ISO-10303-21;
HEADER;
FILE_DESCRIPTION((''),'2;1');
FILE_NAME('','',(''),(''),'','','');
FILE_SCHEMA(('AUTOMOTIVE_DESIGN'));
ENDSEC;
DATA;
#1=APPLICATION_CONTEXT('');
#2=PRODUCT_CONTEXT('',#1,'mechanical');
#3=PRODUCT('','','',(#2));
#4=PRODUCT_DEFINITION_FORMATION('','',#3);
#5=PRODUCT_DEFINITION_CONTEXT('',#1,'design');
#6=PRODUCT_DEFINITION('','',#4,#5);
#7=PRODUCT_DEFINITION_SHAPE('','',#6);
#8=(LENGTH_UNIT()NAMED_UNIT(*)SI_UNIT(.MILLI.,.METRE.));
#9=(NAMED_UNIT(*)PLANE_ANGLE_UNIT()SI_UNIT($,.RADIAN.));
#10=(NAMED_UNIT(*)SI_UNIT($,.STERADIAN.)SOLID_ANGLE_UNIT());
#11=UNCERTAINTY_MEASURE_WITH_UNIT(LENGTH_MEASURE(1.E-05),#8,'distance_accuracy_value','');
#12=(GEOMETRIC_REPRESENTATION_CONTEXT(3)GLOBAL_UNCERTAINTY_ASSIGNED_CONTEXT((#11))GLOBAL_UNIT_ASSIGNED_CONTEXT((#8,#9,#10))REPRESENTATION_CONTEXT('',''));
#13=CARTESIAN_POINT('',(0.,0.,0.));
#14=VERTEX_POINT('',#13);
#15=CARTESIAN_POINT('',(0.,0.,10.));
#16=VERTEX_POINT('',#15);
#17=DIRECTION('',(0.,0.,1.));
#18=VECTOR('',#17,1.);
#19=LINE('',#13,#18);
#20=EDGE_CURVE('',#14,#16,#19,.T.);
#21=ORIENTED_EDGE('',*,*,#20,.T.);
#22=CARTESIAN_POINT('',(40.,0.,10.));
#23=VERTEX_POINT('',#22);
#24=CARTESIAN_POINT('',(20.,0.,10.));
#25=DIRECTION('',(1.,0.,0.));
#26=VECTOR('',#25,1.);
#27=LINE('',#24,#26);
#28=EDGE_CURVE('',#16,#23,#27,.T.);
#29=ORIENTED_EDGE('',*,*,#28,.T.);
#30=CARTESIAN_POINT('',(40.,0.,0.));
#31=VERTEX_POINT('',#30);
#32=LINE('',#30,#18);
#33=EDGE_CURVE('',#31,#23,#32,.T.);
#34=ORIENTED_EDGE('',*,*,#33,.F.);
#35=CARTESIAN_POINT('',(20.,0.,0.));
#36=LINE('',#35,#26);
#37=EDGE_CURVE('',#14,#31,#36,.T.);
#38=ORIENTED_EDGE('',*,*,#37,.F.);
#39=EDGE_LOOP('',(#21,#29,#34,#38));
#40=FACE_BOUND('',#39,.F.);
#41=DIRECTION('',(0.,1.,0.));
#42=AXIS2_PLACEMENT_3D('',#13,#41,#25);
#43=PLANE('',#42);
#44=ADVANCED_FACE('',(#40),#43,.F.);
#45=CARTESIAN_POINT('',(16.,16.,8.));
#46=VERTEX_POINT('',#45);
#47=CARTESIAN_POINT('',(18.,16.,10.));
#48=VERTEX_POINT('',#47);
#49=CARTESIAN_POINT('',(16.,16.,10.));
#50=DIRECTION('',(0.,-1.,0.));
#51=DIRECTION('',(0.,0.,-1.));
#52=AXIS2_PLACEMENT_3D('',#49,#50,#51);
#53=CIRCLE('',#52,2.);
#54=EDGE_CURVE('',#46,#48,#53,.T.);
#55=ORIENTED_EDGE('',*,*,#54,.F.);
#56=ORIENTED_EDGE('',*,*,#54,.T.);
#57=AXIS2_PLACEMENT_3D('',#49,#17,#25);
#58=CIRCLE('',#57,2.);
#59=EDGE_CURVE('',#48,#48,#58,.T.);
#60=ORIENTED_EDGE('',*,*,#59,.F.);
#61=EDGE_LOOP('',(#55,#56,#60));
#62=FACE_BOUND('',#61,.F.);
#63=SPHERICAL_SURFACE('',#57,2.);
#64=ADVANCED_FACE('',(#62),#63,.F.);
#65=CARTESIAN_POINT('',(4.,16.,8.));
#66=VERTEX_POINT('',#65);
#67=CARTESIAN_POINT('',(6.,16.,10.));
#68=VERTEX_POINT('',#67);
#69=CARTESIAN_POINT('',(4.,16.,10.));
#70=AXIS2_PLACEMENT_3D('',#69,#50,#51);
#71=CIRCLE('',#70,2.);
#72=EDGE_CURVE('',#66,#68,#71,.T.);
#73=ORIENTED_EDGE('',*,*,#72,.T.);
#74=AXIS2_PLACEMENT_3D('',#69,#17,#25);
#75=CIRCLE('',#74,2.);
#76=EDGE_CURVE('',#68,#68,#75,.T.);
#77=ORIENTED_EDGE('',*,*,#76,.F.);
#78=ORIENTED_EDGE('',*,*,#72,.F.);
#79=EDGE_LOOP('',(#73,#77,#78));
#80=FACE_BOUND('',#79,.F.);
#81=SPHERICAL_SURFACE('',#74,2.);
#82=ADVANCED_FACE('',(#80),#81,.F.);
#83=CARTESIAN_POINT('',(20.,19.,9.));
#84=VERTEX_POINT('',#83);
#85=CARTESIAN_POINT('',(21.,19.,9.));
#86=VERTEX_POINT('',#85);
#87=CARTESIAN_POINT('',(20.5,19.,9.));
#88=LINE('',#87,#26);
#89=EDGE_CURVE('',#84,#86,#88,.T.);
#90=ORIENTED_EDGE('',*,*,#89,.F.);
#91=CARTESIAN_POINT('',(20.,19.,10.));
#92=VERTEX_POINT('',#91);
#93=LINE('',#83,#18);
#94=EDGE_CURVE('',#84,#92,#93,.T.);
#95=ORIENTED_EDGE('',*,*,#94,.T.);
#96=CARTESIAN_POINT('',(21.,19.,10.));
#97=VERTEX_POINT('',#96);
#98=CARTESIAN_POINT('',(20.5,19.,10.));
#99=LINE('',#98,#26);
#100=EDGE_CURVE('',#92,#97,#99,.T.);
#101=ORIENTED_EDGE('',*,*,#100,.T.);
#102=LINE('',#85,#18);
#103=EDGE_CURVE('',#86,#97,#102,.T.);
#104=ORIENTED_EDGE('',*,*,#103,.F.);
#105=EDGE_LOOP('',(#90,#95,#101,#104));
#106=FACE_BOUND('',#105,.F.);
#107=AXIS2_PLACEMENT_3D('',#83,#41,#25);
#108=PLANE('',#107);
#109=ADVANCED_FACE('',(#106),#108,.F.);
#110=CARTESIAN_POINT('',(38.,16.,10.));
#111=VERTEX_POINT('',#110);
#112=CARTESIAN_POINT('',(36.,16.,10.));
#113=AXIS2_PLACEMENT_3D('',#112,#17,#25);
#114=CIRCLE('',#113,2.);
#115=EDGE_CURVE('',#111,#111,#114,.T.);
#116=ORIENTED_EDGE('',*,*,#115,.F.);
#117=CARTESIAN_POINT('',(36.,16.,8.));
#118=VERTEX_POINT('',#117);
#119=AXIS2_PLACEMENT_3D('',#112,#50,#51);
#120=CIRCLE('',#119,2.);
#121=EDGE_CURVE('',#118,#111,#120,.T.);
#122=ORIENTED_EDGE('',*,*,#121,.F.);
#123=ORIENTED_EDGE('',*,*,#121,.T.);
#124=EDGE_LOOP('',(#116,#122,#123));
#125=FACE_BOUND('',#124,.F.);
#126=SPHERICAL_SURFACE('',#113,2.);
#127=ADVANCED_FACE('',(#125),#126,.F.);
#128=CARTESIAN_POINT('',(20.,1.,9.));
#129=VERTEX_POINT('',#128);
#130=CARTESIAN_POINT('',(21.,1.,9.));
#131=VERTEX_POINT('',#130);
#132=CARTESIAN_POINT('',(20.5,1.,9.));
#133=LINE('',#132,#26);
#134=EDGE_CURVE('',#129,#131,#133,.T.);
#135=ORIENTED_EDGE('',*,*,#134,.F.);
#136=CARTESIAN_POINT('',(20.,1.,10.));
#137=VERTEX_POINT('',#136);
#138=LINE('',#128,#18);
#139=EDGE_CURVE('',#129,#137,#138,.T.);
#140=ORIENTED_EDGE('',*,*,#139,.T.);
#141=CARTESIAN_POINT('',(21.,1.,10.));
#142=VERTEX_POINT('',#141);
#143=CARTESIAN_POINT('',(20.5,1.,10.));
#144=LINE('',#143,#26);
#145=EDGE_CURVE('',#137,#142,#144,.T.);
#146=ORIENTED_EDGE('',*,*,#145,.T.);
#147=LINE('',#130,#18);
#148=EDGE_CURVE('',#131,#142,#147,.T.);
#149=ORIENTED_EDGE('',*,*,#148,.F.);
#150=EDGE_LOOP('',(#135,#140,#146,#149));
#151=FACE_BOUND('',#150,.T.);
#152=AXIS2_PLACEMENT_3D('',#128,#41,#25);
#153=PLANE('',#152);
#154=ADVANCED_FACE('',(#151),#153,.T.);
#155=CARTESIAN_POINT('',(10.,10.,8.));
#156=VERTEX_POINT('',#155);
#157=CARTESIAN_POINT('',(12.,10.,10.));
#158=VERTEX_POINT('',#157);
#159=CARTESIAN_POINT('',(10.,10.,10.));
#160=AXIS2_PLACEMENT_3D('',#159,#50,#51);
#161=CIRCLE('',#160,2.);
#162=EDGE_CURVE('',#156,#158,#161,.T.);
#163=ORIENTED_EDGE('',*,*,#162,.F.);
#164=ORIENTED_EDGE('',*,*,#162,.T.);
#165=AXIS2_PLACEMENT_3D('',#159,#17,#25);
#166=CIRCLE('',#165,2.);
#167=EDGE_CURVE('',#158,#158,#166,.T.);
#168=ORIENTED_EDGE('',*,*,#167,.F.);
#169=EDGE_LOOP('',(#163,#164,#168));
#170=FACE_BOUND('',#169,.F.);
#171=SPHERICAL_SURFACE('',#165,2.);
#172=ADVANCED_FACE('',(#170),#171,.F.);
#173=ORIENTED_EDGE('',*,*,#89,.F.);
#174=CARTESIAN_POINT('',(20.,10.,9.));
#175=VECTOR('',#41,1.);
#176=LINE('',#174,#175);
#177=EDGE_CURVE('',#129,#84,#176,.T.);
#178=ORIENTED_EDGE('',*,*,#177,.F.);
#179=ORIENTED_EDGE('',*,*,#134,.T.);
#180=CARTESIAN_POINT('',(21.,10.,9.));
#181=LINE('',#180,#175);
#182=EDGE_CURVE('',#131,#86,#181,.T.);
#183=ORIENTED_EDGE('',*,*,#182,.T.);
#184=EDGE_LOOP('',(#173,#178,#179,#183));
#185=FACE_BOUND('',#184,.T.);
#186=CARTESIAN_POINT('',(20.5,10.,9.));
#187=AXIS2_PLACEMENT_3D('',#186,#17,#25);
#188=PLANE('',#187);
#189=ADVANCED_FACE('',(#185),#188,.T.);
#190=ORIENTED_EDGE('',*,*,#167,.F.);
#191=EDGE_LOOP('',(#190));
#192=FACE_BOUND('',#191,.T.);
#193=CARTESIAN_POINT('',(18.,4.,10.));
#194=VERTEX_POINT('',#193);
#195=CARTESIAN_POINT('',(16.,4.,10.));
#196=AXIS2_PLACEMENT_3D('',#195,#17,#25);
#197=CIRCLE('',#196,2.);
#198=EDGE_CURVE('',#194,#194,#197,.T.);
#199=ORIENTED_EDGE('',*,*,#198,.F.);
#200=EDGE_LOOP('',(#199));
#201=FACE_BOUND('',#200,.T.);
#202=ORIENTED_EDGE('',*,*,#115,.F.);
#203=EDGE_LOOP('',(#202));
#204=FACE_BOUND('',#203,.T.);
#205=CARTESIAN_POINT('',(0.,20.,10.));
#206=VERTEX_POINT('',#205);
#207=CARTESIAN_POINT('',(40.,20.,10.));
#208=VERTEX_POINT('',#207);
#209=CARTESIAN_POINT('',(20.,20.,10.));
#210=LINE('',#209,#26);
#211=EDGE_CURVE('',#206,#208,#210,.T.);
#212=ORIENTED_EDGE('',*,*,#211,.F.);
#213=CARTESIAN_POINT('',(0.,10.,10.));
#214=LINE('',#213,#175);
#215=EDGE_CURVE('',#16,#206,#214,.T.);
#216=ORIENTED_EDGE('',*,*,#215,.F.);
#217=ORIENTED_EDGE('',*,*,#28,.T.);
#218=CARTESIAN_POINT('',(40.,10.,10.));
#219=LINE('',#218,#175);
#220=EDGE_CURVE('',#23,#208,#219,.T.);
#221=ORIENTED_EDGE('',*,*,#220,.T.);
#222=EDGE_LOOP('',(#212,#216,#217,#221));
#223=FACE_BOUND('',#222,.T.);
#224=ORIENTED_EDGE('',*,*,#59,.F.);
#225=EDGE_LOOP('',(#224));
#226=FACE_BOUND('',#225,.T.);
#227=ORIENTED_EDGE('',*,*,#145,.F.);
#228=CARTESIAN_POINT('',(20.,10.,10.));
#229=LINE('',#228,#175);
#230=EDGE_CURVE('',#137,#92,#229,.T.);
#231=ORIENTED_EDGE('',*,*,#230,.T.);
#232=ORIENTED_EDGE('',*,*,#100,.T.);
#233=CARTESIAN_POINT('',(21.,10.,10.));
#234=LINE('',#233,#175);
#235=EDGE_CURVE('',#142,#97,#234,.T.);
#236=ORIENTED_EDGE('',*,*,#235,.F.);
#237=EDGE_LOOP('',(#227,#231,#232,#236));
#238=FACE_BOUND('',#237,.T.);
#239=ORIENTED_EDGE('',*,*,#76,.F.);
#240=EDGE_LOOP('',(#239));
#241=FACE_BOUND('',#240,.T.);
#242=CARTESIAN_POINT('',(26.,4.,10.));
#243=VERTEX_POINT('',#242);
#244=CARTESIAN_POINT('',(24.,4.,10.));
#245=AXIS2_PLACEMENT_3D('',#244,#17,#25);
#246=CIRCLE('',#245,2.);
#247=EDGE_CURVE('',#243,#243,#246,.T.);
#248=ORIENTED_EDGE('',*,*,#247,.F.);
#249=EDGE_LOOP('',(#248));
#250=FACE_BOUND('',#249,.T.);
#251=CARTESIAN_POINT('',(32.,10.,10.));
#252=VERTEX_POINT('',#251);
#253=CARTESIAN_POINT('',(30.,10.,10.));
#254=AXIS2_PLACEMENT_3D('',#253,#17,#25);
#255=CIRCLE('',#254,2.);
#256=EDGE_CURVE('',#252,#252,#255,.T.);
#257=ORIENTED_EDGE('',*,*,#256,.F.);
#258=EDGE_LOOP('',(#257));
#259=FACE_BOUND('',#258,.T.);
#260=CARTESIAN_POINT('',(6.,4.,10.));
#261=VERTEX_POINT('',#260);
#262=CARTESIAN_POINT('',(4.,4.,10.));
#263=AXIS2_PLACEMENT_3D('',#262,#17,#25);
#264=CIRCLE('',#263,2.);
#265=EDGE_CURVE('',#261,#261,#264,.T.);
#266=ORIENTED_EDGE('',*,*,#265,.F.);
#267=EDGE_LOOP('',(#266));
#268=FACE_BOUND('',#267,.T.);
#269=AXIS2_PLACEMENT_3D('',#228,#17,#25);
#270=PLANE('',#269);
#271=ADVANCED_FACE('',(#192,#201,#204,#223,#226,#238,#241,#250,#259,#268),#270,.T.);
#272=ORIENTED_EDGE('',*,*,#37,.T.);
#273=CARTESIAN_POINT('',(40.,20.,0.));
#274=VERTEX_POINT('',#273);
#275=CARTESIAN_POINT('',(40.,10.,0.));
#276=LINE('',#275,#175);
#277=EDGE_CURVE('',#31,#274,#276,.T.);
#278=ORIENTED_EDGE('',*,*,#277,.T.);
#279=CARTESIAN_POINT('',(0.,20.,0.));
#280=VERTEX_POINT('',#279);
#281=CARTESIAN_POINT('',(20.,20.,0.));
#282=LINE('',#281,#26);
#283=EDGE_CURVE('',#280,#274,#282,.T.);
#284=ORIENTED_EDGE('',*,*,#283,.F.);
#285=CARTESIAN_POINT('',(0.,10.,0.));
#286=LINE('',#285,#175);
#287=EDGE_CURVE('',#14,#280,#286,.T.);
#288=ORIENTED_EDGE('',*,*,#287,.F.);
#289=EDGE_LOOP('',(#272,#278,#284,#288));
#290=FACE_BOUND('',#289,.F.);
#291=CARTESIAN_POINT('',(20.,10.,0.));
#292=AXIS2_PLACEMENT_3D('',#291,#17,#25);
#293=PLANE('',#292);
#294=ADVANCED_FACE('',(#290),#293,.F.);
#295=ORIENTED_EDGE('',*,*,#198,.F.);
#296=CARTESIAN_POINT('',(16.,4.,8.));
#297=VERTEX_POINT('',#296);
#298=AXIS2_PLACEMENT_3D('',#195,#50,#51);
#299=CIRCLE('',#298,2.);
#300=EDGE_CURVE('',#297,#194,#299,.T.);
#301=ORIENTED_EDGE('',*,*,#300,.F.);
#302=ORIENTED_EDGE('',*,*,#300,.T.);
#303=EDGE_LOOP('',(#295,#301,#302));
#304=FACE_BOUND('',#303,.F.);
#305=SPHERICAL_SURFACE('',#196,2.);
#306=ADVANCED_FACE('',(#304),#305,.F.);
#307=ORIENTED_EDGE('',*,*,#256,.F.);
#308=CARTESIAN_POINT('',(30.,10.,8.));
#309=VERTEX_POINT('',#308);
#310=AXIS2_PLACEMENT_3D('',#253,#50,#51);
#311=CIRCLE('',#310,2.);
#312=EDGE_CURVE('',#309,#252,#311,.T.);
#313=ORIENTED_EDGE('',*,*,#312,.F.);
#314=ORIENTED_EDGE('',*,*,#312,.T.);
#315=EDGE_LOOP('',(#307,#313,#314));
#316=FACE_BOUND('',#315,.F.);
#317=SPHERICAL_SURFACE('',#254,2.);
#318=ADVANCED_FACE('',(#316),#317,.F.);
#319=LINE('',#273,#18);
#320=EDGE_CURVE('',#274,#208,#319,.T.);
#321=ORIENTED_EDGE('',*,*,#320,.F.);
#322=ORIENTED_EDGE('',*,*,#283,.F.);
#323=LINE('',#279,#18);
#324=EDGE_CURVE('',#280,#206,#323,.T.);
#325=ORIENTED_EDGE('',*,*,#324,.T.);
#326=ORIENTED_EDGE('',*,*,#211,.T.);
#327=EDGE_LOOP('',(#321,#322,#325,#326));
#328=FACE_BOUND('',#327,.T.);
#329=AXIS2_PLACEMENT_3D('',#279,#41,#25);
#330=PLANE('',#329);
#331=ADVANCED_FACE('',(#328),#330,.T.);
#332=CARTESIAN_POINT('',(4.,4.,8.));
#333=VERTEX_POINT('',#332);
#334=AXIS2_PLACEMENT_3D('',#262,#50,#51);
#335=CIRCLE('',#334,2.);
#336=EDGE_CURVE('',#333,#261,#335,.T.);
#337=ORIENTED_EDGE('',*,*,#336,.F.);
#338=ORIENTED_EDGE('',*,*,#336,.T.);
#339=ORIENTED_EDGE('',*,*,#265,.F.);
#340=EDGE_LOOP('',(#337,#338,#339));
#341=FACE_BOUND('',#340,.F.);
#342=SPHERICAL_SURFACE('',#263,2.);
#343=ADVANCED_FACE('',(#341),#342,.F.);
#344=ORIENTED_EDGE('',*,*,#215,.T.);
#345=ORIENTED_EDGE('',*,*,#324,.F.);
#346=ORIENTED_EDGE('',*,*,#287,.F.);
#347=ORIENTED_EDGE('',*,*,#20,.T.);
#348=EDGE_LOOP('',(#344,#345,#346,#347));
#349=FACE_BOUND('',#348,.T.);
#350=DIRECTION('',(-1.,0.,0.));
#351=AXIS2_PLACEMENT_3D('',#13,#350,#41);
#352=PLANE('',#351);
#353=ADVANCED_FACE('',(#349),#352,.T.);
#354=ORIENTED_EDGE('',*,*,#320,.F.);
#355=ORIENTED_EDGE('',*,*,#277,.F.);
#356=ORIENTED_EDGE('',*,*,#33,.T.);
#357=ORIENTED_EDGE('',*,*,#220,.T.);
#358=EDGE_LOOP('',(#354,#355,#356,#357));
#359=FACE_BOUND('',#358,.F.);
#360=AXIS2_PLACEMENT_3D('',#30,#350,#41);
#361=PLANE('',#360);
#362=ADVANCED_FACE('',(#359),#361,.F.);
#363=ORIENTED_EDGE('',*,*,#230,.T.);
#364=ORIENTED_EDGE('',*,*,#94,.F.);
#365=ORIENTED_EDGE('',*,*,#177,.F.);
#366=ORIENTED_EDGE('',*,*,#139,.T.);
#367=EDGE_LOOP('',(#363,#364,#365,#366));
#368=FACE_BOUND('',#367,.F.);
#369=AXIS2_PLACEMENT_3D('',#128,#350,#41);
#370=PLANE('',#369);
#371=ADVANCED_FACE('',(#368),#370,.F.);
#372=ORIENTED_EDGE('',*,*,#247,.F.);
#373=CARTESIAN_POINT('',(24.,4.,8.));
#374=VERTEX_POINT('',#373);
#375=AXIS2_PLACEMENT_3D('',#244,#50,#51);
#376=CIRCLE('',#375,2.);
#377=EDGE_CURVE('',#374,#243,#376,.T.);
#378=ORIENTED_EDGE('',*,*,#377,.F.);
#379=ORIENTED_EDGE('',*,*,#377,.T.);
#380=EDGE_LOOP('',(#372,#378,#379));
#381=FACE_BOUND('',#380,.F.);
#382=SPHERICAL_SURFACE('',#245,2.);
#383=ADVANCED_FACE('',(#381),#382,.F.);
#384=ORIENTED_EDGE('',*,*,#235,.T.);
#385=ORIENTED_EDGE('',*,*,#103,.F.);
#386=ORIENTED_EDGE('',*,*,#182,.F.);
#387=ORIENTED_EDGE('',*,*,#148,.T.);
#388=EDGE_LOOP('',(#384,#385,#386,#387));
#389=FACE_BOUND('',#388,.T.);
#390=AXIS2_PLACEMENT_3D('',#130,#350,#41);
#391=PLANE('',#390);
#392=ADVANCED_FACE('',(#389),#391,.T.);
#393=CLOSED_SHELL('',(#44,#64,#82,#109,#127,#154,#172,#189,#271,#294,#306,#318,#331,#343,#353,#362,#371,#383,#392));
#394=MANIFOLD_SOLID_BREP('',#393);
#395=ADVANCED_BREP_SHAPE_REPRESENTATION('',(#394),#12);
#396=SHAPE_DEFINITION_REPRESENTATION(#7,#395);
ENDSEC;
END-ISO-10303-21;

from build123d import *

# Parameters (mm, degrees)
BOX001_W     = 1
BOX001_H     = 18
BOX001_DEPTH = 1
BOX_W        = 40
BOX_H        = 20
BOX_DEPTH    = 10


with BuildPart() as sphere002:
    # Sphere002 → Sphere002 (revolve)
    with BuildSketch(Plane(origin=(4, 4, 10), x_dir=(1, 0, 0), z_dir=(0, -1, 0))):
        with BuildLine():
            ThreePointArc((0, -2), (2, 0), (0, 2))
            Line((0, 2), (0, -2))
        make_face()
    revolve(axis=Axis((4, 4, 10), (0, 0, 1)))


with BuildPart() as fusion001:
    # Sphere003 → Sphere003 (revolve)
    with BuildSketch(Plane(origin=(4, 16, 10), x_dir=(1, 0, 0), z_dir=(0, -1, 0))):
        with BuildLine():
            ThreePointArc((0, -2), (2, 0), (0, 2))
            Line((0, 2), (0, -2))
        make_face()
    revolve(axis=Axis((4, 16, 10), (0, 0, 1)))

    # Fusion001: union Sphere002
    add(sphere002.part)


with BuildPart() as fusion001_1:
    # Fusion001 placement: moved
    add(fusion001.part.moved(Location((12, 0, 0))))


with BuildPart() as sphere004:
    # Sphere004 → Sphere004 (revolve)
    with BuildSketch(Plane(origin=(10, 10, 10), x_dir=(1, 0, 0), z_dir=(0, -1, 0))):
        with BuildLine():
            ThreePointArc((0, -2), (2, 0), (0, 2))
            Line((0, 2), (0, -2))
        make_face()
    revolve(axis=Axis((10, 10, 10), (0, 0, 1)))


with BuildPart() as sphere005:
    # Sphere005 → Sphere005 (revolve)
    with BuildSketch(Plane(origin=(24, 4, 10), x_dir=(1, 0, 0), z_dir=(0, -1, 0))):
        with BuildLine():
            ThreePointArc((0, -2), (2, 0), (0, 2))
            Line((0, 2), (0, -2))
        make_face()
    revolve(axis=Axis((24, 4, 10), (0, 0, 1)))


with BuildPart() as sphere007:
    # Sphere007 → Sphere007 (revolve)
    with BuildSketch(Plane(origin=(4, 16, 10), x_dir=(1, 0, 0), z_dir=(0, -1, 0))):
        with BuildLine():
            ThreePointArc((0, -2), (2, 0), (0, 2))
            Line((0, 2), (0, -2))
        make_face()
    revolve(axis=Axis((4, 16, 10), (0, 0, 1)))


with BuildPart() as sphere008:
    # Sphere008 → Sphere008 (revolve)
    with BuildSketch(Plane(origin=(36, 16, 10), x_dir=(1, 0, 0), z_dir=(0, -1, 0))):
        with BuildLine():
            ThreePointArc((0, -2), (2, 0), (0, 2))
            Line((0, 2), (0, -2))
        make_face()
    revolve(axis=Axis((36, 16, 10), (0, 0, 1)))


with BuildPart() as sphere009:
    # Sphere009 → Sphere009 (revolve)
    with BuildSketch(Plane(origin=(30, 10, 10), x_dir=(1, 0, 0), z_dir=(0, -1, 0))):
        with BuildLine():
            ThreePointArc((0, -2), (2, 0), (0, 2))
            Line((0, 2), (0, -2))
        make_face()
    revolve(axis=Axis((30, 10, 10), (0, 0, 1)))


with BuildPart() as sphere:
    # Sphere → Sphere (revolve)
    with BuildSketch(Plane(origin=(4, 4, 10), x_dir=(1, 0, 0), z_dir=(0, -1, 0))):
        with BuildLine():
            ThreePointArc((0, -2), (2, 0), (0, 2))
            Line((0, 2), (0, -2))
        make_face()
    revolve(axis=Axis((4, 4, 10), (0, 0, 1)))


with BuildPart() as fusion002:
    # Sphere001 → Sphere001 (revolve)
    with BuildSketch(Plane(origin=(4, 16, 10), x_dir=(1, 0, 0), z_dir=(0, -1, 0))):
        with BuildLine():
            ThreePointArc((0, -2), (2, 0), (0, 2))
            Line((0, 2), (0, -2))
        make_face()
    revolve(axis=Axis((4, 16, 10), (0, 0, 1)))

    # Fusion: union Sphere
    add(sphere.part)

    # Fusion002: union Fusion001, Sphere004, Sphere005, Sphere007, Sphere008, Sphere009
    add(fusion001_1.part)
    add(sphere004.part)
    add(sphere005.part)
    add(sphere007.part)
    add(sphere008.part)
    add(sphere009.part)


with BuildPart() as cube001:
    # Box001 → Box001 (new body)
    with BuildSketch(Plane(origin=(20, 1, 9), x_dir=(1, 0, 0), z_dir=(0, 0, 1))):
        with Locations((0.5, 9)):
            Rectangle(BOX001_W, BOX001_H)
    extrude(amount=BOX001_DEPTH)


with BuildPart() as cut001:
    # Box → Box (new body)
    with BuildSketch(Plane.XY):
        with Locations((20, 10)):
            Rectangle(BOX_W, BOX_H)
    extrude(amount=BOX_DEPTH)

    # Cut: cut Cube001
    add(cube001.part, mode=Mode.SUBTRACT)

    # Cut001: cut Fusion002
    add(fusion002.part, mode=Mode.SUBTRACT)


solid = cut001.part
